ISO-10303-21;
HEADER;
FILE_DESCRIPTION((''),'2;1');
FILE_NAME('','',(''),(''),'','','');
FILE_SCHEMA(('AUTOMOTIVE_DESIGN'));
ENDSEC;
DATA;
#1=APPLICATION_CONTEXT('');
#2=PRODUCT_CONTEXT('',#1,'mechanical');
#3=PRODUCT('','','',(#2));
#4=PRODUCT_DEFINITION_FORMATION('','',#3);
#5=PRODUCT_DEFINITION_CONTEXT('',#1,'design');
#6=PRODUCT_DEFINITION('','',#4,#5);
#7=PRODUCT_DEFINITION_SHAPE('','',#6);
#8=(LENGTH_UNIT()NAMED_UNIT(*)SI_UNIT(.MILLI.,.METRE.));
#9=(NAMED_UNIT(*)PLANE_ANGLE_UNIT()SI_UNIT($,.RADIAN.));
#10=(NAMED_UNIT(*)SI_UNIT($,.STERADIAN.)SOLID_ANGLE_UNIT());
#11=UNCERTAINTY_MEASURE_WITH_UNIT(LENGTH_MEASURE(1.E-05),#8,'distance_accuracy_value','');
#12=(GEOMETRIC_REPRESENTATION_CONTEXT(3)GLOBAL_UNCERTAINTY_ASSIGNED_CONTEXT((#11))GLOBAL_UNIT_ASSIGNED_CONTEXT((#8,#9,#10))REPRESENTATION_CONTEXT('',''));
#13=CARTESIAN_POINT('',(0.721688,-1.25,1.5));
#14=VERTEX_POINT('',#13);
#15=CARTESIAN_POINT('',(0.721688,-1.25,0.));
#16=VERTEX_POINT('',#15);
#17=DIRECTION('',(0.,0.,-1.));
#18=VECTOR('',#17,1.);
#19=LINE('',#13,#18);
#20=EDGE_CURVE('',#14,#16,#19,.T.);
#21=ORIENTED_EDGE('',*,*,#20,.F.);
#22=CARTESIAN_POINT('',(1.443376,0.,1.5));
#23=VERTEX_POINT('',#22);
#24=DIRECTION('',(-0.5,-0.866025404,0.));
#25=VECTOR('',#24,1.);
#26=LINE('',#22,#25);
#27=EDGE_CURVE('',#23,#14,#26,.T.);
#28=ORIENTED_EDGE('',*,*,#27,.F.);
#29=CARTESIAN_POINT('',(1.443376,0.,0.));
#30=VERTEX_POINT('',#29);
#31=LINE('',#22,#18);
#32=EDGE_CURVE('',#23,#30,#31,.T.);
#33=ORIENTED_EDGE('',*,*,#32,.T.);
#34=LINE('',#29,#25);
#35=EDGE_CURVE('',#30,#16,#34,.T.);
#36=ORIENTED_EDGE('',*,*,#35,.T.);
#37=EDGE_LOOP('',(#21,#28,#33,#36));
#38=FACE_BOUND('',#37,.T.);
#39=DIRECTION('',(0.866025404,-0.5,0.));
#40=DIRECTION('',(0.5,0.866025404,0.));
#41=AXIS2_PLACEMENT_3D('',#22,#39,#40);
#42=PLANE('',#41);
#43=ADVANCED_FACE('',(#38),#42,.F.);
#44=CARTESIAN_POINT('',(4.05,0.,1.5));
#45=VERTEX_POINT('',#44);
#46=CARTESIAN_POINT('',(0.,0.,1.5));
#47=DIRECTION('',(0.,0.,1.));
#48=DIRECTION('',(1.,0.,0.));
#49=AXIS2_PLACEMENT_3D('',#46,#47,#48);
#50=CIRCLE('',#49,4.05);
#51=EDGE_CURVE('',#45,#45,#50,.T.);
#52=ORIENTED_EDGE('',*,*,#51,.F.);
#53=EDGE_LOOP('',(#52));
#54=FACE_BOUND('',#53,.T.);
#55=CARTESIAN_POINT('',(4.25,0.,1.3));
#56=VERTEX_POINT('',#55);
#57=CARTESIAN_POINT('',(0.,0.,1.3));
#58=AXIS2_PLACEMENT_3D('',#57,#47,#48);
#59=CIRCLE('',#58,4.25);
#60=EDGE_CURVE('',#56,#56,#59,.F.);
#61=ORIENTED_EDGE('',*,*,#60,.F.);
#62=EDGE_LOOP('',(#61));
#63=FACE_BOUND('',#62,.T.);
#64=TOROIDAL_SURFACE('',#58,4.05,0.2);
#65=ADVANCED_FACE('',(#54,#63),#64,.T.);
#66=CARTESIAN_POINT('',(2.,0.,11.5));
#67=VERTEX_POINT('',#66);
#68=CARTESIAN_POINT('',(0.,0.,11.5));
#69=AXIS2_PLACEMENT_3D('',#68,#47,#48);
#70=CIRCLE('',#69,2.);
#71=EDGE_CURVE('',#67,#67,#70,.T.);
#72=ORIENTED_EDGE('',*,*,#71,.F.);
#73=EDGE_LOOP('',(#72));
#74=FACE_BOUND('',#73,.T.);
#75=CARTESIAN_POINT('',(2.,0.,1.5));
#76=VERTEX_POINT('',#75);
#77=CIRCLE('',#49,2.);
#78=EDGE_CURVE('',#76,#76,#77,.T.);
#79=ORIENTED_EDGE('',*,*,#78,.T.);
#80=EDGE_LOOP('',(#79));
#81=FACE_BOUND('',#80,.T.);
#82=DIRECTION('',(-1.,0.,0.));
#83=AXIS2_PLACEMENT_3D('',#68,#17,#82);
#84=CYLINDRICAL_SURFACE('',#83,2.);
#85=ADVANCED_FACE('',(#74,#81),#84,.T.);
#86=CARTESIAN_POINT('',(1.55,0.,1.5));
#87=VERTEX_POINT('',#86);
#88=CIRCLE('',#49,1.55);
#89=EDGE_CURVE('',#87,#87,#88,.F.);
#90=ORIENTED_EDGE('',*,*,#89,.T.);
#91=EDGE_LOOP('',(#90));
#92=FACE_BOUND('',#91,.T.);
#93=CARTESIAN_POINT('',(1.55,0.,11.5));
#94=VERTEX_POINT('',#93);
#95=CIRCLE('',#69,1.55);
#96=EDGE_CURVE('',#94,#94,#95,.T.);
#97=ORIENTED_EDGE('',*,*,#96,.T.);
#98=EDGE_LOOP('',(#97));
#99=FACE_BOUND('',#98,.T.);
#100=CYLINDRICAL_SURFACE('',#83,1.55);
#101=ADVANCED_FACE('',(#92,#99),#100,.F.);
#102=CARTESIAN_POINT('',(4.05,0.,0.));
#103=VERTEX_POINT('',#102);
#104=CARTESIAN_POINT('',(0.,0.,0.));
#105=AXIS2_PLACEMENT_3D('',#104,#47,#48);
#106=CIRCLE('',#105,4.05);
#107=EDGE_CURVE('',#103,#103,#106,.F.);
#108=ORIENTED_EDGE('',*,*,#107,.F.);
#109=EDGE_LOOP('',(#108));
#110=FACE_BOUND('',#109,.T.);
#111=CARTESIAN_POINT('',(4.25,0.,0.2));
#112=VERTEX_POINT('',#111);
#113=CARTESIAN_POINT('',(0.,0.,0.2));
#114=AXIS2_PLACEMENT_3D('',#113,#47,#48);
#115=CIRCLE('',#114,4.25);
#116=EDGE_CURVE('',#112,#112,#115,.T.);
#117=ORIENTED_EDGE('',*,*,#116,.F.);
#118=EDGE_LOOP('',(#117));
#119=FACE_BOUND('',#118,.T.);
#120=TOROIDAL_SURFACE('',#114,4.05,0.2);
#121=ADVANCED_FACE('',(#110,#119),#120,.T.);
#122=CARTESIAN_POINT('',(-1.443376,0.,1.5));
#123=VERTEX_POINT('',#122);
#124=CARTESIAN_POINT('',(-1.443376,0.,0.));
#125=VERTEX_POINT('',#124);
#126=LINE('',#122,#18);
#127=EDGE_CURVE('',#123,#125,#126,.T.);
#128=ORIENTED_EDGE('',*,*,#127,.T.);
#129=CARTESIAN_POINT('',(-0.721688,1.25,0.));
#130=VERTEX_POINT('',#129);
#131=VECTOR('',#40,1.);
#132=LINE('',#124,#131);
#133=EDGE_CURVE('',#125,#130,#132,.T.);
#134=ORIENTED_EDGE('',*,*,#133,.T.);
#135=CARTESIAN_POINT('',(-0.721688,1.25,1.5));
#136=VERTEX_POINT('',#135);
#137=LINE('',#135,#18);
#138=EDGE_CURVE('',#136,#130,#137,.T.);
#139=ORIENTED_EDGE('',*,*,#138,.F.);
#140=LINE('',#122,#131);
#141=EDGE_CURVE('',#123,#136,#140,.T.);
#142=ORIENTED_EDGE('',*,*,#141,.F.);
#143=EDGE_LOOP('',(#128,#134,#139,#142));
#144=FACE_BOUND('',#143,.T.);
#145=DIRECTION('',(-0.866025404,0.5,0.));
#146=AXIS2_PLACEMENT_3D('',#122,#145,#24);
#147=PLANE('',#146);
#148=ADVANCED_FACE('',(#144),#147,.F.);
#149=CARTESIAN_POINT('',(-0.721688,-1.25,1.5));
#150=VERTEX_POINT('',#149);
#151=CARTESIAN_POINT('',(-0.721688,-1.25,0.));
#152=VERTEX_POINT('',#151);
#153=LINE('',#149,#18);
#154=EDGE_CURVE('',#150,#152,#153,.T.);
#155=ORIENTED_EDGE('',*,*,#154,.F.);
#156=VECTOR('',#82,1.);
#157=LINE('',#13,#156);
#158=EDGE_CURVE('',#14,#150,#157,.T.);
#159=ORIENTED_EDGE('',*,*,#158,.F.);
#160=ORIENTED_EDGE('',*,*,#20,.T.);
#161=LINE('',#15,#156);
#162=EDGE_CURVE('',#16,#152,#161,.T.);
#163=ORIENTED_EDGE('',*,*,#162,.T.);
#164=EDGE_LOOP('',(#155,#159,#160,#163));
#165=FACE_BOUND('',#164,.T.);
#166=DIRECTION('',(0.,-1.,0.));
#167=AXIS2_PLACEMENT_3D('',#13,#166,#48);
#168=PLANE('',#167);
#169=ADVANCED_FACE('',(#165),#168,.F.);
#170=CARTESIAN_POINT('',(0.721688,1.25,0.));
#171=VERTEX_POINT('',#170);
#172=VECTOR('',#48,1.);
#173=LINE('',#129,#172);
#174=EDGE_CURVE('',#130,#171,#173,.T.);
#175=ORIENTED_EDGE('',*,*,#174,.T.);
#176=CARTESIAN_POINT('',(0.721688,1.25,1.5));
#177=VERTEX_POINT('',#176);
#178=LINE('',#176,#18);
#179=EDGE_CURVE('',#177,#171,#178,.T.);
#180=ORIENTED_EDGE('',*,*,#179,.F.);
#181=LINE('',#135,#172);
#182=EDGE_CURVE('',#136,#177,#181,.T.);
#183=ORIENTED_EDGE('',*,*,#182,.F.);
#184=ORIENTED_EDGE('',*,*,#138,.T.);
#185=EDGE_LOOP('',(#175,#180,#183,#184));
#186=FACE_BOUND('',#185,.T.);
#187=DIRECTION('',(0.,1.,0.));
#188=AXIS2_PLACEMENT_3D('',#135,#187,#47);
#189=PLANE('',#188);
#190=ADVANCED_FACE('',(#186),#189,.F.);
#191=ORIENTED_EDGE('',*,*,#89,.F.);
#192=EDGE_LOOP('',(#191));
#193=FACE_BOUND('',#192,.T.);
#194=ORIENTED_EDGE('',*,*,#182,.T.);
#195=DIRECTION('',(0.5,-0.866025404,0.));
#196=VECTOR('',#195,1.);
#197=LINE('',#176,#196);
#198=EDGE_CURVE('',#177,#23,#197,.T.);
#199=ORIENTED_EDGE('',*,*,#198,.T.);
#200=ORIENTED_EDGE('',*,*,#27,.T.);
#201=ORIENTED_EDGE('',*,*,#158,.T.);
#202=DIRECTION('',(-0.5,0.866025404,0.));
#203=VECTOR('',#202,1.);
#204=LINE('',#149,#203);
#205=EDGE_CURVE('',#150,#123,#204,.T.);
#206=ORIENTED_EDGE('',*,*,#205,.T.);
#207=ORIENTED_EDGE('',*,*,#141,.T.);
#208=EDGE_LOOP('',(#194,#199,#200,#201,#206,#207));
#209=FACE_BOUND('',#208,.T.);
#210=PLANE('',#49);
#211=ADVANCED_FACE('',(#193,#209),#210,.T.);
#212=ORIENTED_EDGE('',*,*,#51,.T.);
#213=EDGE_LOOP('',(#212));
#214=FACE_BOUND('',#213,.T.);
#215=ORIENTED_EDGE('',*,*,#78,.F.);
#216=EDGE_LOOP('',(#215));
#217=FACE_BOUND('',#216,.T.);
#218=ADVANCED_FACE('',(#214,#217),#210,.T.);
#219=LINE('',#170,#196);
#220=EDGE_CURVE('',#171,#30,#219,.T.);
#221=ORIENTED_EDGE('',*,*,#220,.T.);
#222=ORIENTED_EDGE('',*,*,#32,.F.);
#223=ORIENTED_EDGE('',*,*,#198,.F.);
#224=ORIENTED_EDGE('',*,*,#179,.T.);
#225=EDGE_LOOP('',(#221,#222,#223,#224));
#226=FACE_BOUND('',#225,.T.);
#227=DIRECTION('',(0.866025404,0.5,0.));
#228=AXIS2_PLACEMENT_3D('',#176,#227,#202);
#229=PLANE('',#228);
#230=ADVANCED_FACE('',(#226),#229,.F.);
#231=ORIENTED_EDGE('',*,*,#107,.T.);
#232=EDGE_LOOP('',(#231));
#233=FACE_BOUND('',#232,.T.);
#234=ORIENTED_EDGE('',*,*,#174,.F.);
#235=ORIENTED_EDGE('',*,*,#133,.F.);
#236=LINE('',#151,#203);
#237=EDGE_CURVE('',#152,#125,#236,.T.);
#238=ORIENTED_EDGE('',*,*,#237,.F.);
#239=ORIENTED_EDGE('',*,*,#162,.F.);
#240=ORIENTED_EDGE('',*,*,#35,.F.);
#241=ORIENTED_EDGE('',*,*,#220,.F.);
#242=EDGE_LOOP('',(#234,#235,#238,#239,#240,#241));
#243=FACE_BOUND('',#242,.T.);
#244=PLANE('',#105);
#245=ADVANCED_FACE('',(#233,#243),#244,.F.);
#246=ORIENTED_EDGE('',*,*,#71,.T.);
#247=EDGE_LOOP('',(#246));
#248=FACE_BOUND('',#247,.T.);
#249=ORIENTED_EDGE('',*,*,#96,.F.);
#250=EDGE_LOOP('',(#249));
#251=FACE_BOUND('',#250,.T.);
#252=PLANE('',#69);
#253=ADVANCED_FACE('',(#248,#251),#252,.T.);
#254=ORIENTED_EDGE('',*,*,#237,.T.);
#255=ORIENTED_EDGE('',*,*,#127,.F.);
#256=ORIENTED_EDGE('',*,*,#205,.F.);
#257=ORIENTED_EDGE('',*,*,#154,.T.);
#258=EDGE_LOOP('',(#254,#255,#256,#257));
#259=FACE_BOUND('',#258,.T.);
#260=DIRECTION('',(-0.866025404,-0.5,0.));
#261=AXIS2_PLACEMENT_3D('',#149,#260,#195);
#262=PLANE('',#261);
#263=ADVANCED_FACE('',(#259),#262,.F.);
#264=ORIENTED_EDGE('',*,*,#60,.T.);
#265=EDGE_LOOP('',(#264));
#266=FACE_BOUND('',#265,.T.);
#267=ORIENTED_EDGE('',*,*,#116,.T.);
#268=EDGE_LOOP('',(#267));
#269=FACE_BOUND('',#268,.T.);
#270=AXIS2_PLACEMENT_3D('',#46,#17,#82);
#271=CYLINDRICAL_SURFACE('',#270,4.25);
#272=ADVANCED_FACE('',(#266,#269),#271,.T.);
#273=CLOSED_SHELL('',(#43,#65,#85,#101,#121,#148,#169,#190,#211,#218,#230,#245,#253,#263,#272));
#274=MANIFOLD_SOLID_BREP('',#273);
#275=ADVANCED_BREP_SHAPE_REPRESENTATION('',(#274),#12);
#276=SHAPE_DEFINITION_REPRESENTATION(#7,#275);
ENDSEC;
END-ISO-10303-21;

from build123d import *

# Parameters (mm, degrees)
SKETCH_1_R          = 4.25
EXTRUDE_1_DEPTH     = 1.5
SKETCH_2_R          = 2
SKETCH_2_R_2        = 1.55
EXTRUDE_2_DEPTH     = 10
FILLET_1_R          = 0.2
CUT_EXTRUDE_1_DEPTH = 1.5


with BuildPart() as part:
    # 草图1 → 凸台-拉伸1 (new body)
    with BuildSketch(Plane.XY):
        Circle(SKETCH_1_R)
    extrude(amount=EXTRUDE_1_DEPTH)

    # 草图2 → 凸台-拉伸2 (add)
    with BuildSketch(Plane.XY.offset(1.5)):
        Circle(SKETCH_2_R)
        Circle(SKETCH_2_R_2, mode=Mode.SUBTRACT)
    extrude(amount=EXTRUDE_2_DEPTH)

    # 圆角1
    fillet_1_edges = [part.edges().sort_by_distance(p)[0] for p in [
        (-4.25, 0, 0),
        (-4.25, 0, 1.5),
    ]]
    fillet(fillet_1_edges, radius=FILLET_1_R)

    # 草图3 → 切除-拉伸1 (cut)
    with BuildSketch(Plane(origin=(0, 0, 0), x_dir=(-1, 0, 0), z_dir=(0, 0, -1))):
        Polygon((1.443375673, 0), (0.721687836, 1.25), (-0.721687836, 1.25), (-1.443375673, 0), (-0.721687836, -1.25), (0.721687836, -1.25), align=None)
    extrude(amount=-CUT_EXTRUDE_1_DEPTH, mode=Mode.SUBTRACT)


solid = part.part
